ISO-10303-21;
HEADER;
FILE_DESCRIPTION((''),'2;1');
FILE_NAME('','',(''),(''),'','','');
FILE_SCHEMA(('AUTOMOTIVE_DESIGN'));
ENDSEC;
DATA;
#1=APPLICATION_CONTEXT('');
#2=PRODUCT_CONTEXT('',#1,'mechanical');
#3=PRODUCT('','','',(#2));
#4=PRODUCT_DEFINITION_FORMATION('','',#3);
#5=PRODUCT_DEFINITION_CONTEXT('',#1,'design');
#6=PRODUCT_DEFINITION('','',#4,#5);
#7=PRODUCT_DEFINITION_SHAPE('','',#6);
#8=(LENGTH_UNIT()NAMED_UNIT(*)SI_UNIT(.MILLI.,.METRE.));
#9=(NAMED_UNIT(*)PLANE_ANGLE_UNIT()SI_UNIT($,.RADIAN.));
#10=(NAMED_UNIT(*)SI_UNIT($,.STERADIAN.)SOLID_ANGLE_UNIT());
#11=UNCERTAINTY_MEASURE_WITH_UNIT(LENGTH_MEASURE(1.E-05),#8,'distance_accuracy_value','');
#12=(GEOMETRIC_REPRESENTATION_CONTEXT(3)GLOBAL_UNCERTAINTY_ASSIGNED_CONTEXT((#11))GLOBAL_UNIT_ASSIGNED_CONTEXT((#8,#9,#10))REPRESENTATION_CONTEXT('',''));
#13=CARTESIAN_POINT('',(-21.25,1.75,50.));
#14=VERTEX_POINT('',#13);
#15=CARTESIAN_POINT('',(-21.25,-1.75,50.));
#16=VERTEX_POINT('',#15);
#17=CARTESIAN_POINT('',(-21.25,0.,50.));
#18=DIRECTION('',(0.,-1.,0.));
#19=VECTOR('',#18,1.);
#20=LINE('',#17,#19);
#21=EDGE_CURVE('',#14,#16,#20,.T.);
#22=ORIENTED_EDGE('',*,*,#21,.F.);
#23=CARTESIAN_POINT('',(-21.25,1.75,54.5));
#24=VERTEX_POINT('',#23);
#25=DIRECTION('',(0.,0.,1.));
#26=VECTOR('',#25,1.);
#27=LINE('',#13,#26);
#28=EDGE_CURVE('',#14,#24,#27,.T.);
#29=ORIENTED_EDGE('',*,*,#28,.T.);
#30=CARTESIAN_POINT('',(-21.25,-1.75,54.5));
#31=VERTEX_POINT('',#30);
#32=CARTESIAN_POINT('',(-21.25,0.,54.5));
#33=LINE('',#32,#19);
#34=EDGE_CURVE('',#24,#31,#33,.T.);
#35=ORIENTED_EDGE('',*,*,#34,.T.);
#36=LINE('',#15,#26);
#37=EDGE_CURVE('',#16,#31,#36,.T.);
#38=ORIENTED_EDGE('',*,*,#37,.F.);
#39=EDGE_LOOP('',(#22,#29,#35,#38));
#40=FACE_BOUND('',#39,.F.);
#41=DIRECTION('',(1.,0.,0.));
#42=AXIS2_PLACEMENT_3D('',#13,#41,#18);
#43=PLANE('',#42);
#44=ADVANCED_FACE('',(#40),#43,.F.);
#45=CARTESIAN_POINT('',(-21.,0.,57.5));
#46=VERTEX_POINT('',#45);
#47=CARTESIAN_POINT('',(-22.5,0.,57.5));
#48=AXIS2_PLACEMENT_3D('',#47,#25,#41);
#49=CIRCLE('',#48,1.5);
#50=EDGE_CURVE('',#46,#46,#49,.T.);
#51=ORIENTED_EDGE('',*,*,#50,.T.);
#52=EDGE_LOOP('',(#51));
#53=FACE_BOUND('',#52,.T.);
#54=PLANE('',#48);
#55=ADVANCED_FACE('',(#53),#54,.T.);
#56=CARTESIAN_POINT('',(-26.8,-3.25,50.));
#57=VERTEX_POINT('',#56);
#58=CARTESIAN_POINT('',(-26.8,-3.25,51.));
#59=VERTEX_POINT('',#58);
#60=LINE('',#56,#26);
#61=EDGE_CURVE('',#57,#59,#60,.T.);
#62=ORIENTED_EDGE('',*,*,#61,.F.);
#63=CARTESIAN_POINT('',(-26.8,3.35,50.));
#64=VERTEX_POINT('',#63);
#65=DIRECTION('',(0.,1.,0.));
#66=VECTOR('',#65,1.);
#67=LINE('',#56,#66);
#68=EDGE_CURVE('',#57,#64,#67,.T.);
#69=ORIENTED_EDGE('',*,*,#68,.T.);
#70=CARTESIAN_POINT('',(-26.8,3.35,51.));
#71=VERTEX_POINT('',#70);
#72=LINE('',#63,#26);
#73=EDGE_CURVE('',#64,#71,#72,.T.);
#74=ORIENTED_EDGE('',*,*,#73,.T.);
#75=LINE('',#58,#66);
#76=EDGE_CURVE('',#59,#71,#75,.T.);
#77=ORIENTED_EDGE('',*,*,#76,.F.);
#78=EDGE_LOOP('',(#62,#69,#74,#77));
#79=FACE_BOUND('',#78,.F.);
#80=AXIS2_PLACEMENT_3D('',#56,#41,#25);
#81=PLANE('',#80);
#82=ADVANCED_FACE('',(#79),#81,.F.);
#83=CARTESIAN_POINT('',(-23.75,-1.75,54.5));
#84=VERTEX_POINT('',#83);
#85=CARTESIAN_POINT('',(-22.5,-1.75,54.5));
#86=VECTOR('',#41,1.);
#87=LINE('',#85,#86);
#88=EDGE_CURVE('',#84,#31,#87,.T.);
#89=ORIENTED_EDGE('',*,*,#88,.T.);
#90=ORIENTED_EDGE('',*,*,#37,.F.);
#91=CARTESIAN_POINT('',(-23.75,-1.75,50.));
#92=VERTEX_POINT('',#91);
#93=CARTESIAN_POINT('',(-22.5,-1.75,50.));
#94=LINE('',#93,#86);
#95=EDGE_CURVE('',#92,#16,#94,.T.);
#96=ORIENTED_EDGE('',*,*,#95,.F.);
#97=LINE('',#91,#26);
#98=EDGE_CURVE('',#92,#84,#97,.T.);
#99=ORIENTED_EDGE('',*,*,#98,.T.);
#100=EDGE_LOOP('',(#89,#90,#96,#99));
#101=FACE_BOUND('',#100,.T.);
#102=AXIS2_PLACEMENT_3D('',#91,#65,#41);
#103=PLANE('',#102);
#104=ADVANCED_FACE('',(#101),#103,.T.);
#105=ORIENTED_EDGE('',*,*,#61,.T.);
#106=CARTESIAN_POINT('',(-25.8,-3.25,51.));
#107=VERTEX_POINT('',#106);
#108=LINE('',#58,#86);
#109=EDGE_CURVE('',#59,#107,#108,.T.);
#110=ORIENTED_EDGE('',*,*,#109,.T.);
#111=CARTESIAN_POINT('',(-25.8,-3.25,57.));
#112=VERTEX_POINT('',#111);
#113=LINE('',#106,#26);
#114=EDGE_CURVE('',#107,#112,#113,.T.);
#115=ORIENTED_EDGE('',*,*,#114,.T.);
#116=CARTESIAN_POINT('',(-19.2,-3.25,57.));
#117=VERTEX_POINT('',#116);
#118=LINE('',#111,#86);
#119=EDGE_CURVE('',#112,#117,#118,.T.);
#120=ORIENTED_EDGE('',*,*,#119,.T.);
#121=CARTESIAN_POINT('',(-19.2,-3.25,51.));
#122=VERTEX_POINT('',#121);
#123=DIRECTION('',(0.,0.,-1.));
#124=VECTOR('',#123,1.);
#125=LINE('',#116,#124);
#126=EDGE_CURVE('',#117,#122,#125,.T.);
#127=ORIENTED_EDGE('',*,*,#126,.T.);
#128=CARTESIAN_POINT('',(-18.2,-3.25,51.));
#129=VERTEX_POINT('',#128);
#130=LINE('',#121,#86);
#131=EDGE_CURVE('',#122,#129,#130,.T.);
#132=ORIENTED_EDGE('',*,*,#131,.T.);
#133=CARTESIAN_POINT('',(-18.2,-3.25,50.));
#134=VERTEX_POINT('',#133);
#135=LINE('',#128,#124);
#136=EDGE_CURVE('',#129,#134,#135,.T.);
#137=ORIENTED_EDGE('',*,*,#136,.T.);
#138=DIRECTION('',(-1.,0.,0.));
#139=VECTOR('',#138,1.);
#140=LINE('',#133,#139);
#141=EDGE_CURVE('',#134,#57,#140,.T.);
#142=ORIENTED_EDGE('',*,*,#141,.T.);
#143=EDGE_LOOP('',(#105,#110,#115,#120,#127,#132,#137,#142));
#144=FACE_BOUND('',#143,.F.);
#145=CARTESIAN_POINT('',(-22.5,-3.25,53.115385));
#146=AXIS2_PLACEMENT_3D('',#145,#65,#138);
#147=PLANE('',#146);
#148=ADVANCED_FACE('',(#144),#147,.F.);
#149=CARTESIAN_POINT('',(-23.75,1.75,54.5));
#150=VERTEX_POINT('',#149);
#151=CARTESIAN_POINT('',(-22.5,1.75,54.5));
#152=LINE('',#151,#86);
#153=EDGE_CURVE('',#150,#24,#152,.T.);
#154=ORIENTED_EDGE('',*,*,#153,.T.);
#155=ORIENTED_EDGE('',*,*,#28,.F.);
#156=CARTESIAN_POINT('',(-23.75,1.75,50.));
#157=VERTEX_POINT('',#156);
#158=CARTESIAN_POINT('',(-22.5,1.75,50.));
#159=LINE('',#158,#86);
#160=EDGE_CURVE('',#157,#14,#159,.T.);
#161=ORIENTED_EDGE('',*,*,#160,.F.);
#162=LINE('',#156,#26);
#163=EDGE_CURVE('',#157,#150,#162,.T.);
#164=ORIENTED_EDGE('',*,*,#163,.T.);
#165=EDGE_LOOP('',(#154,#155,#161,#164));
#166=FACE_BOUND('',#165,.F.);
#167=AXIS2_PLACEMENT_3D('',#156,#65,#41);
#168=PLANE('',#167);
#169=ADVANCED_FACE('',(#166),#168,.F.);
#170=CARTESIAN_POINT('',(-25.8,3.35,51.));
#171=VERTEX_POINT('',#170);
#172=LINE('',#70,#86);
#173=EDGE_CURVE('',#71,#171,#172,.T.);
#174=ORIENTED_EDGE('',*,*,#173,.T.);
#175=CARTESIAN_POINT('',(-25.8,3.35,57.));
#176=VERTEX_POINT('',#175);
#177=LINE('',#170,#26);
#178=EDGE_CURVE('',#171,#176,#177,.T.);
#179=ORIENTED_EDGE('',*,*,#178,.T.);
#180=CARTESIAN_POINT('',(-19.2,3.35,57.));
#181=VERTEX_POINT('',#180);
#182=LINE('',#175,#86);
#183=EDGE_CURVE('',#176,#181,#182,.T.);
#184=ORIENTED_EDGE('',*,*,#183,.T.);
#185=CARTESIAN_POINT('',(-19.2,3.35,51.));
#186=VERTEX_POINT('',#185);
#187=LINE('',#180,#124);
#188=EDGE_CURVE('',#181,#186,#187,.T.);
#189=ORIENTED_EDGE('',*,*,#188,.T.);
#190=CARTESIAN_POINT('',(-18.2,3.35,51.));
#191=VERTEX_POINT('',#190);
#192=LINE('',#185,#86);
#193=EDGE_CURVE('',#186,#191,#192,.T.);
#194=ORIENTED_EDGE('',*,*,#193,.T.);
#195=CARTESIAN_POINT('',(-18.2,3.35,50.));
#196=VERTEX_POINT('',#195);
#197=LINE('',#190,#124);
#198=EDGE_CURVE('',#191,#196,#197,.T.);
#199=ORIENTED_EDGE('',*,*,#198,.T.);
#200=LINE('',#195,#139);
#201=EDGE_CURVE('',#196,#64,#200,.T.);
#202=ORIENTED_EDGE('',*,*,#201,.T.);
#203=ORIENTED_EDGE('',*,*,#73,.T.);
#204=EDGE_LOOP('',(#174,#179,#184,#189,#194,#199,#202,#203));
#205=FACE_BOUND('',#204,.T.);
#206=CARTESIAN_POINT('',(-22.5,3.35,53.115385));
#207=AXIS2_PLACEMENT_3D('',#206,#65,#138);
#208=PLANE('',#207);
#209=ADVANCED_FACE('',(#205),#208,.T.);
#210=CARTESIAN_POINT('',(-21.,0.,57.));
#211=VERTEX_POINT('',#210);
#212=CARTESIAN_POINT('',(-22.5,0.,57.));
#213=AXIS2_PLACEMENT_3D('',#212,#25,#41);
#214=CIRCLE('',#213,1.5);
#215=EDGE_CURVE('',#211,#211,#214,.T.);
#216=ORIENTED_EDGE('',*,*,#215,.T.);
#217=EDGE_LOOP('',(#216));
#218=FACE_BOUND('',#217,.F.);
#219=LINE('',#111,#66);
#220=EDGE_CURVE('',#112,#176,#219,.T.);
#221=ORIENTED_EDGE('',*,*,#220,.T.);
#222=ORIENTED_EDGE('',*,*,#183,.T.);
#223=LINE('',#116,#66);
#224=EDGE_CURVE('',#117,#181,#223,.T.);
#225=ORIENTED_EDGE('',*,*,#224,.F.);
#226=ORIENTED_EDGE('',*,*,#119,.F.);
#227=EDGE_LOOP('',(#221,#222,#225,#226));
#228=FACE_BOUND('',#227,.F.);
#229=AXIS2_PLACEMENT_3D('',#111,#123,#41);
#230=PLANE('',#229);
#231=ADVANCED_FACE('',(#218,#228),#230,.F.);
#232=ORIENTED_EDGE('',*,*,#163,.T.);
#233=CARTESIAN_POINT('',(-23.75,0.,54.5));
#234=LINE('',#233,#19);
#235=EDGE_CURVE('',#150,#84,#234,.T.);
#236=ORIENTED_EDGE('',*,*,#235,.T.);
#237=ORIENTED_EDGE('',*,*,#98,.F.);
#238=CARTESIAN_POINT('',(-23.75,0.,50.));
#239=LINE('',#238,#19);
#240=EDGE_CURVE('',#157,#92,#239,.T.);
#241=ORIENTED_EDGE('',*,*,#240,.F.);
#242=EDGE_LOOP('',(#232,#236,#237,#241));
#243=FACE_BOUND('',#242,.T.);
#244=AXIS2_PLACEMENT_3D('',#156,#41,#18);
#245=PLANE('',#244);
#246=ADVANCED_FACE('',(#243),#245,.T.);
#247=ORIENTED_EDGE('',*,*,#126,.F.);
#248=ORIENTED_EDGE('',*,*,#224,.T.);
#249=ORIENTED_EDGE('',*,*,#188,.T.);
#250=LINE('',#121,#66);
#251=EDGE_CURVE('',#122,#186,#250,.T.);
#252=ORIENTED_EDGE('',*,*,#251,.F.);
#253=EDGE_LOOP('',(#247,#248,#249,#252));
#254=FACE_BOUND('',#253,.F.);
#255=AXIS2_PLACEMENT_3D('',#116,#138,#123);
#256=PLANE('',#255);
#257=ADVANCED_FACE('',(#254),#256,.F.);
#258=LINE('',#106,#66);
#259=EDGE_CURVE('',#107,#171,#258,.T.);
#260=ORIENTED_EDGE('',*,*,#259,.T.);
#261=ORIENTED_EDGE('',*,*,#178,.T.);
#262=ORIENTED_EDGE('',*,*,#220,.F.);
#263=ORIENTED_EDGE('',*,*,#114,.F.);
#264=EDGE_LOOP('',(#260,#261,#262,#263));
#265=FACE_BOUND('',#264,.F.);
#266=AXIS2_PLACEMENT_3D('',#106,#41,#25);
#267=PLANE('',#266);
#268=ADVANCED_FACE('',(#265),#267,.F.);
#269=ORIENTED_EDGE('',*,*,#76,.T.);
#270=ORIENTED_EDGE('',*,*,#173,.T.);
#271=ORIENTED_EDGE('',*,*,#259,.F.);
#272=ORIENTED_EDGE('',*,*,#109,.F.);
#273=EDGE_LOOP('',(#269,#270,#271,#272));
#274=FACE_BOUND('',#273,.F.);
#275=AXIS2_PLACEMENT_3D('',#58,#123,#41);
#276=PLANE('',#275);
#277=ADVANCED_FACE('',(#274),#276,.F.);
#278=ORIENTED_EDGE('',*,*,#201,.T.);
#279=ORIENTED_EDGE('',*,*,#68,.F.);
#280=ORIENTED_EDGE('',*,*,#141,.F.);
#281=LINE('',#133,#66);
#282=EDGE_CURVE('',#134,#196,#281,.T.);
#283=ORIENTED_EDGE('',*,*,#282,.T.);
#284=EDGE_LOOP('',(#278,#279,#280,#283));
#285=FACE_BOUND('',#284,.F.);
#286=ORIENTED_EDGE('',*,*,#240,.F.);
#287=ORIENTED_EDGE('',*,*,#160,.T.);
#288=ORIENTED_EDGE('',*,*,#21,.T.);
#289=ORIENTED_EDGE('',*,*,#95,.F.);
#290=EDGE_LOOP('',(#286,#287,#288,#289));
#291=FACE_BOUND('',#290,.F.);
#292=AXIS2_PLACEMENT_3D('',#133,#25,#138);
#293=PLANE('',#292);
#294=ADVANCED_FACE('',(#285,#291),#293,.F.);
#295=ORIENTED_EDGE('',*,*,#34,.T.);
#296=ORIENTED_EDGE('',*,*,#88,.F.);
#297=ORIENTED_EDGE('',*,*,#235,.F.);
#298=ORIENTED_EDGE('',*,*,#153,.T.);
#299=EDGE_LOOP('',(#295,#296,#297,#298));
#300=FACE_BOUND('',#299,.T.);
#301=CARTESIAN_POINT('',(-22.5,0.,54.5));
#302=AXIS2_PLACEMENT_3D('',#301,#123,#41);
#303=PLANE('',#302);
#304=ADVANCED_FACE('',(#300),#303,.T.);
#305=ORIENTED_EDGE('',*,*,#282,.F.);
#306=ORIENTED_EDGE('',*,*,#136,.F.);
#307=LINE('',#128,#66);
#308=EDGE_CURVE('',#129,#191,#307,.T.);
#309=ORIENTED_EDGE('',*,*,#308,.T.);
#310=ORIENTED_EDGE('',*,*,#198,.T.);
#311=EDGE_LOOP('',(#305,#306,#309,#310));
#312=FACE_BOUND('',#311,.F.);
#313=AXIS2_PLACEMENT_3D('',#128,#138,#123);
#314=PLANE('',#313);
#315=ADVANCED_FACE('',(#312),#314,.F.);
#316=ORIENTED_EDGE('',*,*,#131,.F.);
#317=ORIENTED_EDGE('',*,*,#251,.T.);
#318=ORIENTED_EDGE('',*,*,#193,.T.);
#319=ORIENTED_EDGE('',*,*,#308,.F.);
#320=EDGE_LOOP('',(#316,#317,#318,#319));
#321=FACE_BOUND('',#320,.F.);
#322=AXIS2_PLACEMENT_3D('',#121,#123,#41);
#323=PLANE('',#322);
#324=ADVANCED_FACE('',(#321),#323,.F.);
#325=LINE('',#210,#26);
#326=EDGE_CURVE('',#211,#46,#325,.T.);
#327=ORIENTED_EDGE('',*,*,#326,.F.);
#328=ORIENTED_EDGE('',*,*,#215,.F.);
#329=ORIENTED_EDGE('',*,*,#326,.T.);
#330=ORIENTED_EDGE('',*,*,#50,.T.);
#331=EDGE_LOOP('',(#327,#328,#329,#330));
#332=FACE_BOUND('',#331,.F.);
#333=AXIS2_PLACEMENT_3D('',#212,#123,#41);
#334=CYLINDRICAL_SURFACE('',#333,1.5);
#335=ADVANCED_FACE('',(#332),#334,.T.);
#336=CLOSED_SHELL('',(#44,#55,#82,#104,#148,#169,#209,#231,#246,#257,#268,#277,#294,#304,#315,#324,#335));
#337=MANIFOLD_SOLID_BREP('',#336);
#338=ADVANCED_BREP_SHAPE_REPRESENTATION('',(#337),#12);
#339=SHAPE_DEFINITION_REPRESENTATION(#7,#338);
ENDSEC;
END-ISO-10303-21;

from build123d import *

# Parameters (mm, degrees)
SKETCH014_W      = 2.5
SKETCH014_H      = 3.5
EXTRUDE015_DEPTH = 4.5
EXTRUDE014_DEPTH = 6.6
SKETCH039_R      = 1.5
EXTRUDE047_DEPTH = 0.5


with BuildPart() as extrude015:
    # Sketch014 → Extrude015 (new body)
    with BuildSketch(Plane(origin=(0, 0, -10), x_dir=(1, 0, 0), z_dir=(0, 0, -1))):
        Rectangle(SKETCH014_W, SKETCH014_H)
    extrude(amount=-EXTRUDE015_DEPTH)


with BuildPart() as extrude015_1:
    # Extrude015 placement: moved
    add(extrude015.part.moved(Location((0, 0, 10))))


with BuildPart() as cap003:
    # Sketch013 → Extrude014 (new body)
    with BuildSketch(Plane.XZ.offset(10)):
        Polygon((-3.3, 7), (3.3, 7), (3.3, 1), (4.3, 1), (4.3, 0), (-4.3, 0), (-4.3, 1), (-3.3, 1), align=None)
    extrude(amount=-EXTRUDE014_DEPTH)


with BuildPart() as cap003_1:
    # Extrude014 placement: moved
    add(cap003.part.moved(Location((0, 6.75, 0))))

    # Cut023: cut Extrude015
    add(extrude015_1.part, mode=Mode.SUBTRACT)


with BuildPart() as shutter:
    # Sketch039 → Extrude047 (new body)
    with BuildSketch(Plane.XY.offset(20)):
        Circle(SKETCH039_R)
    extrude(amount=EXTRUDE047_DEPTH)


with BuildPart() as shutter_1:
    # Extrude047 placement: moved
    add(shutter.part.moved(Location((0, 0, -13))))

    # Fusion035: union cap003
    add(cap003_1.part)


with BuildPart() as shutter_2:
    # Fusion035 placement: moved
    add(shutter_1.part.moved(Location((-22.5, 0, 50))))


solid = shutter_2.part
